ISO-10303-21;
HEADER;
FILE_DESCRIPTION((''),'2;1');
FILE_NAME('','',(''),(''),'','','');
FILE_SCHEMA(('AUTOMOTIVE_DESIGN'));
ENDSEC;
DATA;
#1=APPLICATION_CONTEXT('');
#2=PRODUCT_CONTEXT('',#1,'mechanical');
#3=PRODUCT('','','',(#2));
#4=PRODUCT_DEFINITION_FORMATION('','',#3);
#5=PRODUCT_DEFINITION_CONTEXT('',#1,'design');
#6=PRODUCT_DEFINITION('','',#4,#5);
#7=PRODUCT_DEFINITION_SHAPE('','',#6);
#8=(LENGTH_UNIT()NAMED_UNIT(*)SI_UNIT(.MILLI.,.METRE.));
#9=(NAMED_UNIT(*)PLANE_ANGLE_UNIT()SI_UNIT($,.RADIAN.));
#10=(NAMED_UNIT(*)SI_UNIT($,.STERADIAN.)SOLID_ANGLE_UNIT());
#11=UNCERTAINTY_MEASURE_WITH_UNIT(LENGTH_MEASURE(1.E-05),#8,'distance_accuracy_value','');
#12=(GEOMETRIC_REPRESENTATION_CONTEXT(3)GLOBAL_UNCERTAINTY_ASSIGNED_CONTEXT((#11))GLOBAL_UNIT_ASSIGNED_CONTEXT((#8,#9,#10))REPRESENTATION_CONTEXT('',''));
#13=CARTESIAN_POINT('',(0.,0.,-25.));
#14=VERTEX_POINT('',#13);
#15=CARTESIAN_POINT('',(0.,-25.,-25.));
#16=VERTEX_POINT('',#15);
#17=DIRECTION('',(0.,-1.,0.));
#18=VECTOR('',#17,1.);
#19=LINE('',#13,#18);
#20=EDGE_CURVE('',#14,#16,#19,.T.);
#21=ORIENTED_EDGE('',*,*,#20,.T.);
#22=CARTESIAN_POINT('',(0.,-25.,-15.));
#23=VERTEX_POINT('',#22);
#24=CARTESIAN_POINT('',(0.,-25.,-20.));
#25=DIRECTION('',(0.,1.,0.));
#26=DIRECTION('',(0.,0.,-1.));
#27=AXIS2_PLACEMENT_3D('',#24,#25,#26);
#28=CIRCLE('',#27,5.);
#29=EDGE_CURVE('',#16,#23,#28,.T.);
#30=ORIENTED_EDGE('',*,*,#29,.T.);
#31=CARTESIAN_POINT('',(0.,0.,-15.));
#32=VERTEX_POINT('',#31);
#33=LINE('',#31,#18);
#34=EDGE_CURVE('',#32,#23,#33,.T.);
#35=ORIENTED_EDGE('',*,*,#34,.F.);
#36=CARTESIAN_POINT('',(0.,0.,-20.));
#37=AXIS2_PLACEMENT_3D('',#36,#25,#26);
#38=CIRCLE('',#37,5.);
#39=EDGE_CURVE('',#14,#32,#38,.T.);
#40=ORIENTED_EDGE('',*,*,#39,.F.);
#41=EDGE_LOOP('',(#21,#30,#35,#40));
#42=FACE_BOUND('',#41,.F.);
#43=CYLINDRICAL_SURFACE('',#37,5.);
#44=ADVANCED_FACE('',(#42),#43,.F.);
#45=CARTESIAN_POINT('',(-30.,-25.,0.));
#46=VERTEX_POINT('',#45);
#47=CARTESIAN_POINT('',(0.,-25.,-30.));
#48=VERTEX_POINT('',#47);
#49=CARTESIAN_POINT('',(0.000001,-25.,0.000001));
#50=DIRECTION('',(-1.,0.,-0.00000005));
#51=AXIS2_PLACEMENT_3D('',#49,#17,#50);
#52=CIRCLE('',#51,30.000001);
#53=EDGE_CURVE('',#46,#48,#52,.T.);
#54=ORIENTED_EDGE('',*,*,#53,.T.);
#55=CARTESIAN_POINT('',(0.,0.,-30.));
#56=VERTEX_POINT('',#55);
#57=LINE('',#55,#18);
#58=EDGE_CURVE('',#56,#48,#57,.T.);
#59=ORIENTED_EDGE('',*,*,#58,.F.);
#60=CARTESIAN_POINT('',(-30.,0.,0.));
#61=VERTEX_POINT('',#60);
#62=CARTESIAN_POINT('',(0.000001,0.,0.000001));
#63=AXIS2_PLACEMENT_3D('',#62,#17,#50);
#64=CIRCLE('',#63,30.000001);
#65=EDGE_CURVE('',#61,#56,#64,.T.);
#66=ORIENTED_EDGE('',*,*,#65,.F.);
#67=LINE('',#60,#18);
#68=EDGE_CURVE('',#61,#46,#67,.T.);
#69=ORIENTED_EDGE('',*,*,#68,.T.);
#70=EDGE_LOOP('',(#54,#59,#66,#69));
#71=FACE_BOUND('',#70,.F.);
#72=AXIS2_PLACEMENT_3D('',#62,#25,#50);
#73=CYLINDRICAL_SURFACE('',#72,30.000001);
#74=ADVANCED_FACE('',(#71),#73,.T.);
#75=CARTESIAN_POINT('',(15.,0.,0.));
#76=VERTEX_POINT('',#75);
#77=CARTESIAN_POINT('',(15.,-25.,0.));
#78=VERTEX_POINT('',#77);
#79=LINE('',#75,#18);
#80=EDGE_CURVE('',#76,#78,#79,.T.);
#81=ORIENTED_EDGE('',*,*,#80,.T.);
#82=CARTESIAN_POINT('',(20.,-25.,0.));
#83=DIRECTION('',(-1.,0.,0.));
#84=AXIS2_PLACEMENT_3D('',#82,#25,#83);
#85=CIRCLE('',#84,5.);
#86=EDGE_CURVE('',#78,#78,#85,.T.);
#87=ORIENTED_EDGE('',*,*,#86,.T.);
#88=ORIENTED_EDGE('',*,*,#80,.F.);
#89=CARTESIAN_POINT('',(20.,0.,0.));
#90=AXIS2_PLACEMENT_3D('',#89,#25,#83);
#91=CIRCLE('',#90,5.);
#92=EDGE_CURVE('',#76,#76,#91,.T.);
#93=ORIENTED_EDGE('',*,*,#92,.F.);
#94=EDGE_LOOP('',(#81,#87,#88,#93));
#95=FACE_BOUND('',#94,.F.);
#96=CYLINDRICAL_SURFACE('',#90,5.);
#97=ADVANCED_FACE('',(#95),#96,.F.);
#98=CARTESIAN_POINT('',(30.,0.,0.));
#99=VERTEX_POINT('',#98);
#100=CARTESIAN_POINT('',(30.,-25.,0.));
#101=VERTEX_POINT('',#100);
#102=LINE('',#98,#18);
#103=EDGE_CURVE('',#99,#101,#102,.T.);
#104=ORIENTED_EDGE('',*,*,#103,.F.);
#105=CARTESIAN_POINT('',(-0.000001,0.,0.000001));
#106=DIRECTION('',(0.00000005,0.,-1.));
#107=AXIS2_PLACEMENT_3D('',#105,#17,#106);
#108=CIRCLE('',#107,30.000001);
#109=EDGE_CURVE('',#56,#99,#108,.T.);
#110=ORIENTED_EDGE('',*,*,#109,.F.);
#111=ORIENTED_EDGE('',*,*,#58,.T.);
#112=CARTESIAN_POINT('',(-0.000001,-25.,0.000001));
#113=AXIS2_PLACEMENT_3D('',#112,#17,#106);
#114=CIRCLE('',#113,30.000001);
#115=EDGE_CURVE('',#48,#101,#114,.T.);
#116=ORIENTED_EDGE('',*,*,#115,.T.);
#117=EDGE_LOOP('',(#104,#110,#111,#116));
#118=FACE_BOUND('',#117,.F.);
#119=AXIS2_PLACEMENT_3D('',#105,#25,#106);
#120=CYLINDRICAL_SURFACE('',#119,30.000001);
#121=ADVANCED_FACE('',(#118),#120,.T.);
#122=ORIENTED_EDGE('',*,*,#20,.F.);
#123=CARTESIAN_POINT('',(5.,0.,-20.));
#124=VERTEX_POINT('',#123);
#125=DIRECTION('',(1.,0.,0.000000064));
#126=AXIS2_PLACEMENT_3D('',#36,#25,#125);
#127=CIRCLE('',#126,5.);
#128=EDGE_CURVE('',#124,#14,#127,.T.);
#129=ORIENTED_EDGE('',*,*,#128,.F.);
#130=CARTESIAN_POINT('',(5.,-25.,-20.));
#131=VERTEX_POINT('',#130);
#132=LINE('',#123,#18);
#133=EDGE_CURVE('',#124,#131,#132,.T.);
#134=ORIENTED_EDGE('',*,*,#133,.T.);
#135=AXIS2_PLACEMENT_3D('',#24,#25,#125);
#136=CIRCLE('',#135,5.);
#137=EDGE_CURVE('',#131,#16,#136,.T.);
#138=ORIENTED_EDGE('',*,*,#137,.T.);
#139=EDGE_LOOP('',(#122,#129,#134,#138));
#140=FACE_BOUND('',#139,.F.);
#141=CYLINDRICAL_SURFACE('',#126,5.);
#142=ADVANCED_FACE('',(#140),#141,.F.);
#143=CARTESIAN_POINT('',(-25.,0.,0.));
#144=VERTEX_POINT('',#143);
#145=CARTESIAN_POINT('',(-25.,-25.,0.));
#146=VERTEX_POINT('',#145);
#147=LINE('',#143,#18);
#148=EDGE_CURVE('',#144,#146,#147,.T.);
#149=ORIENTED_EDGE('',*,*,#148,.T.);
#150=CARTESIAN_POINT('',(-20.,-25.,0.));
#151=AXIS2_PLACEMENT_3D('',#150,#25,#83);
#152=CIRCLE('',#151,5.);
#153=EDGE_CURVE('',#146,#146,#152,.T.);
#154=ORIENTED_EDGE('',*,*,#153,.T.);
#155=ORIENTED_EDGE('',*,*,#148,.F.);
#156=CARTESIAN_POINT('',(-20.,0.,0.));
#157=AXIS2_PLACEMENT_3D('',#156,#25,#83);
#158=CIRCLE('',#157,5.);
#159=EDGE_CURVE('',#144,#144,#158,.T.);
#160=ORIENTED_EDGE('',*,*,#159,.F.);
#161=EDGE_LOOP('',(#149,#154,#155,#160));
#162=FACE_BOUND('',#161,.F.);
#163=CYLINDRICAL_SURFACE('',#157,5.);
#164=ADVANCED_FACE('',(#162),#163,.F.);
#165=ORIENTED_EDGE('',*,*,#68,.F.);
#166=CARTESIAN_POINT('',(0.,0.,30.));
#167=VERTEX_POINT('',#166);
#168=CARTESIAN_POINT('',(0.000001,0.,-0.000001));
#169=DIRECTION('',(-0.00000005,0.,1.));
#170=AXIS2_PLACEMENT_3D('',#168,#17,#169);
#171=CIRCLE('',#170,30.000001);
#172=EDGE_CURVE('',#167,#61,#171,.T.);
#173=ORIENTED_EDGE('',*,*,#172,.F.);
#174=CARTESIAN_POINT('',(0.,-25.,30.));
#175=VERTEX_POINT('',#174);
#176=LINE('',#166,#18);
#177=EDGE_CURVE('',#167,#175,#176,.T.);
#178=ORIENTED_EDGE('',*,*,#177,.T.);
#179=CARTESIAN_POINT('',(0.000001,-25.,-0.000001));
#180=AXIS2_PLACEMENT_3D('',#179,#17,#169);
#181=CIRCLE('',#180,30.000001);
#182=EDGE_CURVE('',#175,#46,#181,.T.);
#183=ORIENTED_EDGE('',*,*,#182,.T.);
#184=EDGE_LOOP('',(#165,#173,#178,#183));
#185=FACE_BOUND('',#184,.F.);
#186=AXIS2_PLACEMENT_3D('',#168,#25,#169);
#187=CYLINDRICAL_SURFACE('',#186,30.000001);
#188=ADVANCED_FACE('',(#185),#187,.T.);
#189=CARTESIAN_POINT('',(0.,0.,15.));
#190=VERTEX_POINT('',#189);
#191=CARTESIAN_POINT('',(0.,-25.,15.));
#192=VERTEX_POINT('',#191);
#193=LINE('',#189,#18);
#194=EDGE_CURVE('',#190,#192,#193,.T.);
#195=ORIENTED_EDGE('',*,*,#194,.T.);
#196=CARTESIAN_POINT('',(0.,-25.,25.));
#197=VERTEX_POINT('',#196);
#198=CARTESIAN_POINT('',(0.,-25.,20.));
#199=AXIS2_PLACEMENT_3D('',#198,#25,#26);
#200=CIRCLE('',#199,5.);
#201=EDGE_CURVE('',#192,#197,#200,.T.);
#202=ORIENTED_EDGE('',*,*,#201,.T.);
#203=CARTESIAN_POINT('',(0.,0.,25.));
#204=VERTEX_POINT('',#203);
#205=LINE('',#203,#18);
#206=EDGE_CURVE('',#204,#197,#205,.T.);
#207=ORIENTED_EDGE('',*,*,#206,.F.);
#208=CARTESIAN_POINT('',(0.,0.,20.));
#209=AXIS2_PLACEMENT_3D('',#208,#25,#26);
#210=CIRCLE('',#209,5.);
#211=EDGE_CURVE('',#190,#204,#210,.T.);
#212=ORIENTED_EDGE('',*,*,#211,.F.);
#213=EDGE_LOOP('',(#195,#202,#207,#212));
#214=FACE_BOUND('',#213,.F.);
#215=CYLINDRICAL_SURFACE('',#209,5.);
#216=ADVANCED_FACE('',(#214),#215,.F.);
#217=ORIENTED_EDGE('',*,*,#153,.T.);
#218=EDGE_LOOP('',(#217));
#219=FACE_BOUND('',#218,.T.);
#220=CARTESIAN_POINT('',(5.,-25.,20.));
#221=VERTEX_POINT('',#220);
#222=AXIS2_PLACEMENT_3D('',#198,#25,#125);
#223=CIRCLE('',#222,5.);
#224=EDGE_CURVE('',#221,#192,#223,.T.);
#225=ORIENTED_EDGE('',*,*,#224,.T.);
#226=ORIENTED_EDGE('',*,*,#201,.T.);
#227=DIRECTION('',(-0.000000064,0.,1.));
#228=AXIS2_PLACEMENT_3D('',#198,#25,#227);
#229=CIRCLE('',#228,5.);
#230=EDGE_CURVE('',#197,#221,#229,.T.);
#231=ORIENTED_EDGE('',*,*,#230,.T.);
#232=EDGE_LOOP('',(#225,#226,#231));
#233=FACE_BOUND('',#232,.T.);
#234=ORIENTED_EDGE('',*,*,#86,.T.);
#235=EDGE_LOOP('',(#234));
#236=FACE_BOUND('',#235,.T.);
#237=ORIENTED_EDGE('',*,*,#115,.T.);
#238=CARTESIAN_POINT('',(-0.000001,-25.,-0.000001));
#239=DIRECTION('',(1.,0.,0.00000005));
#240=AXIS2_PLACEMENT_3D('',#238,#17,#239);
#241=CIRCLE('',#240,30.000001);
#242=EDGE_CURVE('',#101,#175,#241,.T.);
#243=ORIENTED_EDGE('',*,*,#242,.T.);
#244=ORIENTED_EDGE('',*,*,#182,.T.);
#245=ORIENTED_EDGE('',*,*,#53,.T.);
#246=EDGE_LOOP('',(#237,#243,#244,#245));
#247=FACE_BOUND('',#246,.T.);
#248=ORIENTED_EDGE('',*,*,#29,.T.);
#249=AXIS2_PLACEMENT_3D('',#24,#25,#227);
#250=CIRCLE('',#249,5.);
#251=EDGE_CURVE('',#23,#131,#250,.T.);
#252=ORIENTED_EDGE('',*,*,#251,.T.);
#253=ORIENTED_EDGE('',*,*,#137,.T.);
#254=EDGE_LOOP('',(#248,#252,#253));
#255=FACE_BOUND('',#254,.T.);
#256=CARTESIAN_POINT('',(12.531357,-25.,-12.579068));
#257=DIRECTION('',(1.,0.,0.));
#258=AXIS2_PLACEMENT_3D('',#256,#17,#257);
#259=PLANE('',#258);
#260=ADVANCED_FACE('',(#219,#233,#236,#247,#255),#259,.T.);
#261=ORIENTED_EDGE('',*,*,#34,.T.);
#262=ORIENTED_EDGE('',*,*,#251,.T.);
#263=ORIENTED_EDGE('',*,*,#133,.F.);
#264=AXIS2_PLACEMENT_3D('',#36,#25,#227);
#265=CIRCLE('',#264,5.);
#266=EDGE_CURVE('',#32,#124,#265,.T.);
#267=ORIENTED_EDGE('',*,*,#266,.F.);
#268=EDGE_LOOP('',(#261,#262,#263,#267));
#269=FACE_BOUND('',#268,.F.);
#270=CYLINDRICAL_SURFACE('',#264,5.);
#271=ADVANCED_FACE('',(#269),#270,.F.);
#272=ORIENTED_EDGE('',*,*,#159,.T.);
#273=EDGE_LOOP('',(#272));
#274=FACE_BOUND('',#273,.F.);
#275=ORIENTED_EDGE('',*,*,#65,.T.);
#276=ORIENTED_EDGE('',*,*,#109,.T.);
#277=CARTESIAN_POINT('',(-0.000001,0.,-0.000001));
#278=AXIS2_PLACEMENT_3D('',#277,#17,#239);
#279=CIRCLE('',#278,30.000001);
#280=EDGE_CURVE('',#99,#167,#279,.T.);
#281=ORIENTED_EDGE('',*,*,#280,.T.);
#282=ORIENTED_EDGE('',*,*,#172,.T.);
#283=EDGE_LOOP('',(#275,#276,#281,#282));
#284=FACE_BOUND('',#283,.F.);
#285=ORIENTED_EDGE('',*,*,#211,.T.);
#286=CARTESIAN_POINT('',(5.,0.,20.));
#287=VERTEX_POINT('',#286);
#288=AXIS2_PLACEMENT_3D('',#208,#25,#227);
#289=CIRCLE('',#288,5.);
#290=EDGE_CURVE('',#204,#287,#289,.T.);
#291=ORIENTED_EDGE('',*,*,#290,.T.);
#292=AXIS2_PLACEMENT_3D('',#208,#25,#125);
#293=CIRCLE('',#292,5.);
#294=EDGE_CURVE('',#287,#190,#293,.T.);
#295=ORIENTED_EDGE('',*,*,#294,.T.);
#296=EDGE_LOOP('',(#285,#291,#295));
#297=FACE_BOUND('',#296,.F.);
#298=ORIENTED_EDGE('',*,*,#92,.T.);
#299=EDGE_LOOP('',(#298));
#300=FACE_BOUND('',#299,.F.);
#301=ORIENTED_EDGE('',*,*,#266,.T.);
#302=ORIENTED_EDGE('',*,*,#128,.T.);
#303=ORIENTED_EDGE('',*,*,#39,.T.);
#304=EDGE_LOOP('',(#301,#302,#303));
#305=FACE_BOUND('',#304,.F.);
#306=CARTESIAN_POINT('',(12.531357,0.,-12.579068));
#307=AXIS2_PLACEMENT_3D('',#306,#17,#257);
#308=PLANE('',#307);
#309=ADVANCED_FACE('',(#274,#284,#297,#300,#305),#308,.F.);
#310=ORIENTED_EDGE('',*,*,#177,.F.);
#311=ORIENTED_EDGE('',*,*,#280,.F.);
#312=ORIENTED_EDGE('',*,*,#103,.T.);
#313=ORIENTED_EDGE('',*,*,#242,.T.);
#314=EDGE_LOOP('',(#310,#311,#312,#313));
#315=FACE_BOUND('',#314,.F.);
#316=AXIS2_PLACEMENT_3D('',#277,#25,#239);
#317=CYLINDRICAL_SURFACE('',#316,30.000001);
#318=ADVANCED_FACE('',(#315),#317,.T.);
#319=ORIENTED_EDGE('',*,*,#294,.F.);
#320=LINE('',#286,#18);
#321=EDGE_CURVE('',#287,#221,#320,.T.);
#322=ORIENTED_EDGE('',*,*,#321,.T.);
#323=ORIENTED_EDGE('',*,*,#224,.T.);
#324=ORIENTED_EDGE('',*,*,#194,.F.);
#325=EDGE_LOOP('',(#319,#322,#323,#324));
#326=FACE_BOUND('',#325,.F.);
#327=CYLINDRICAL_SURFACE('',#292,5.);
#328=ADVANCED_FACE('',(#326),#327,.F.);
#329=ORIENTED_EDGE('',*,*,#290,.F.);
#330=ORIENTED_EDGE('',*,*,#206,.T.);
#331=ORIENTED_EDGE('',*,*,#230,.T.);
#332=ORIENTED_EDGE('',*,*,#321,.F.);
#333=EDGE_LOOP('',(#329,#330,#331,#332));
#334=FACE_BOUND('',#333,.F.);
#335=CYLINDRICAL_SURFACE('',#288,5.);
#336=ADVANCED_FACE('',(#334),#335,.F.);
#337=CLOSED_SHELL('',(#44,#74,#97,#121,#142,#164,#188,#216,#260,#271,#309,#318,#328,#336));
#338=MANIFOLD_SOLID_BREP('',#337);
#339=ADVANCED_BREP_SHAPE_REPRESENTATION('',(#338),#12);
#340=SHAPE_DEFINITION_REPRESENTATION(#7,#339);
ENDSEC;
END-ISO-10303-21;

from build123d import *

# Parameters (mm, degrees)
F1_DEPTH = 25


with BuildPart() as f1:
    # F0 (on Front) → F1 (new body)
    with BuildSketch(Plane.XZ):
        with BuildLine():
            ThreePointArc((0, -30), (21.213203, -21.213203), (30, 0))
            Line((30, 0), (25, 0))
            ThreePointArc((25, 0), (20, -5), (15, 0))
            Line((15, 0), (0, 0))
            Line((0, 0), (0, -15))
            ThreePointArc((0, -15), (3.535534, -16.464466), (5, -20))
            ThreePointArc((5, -20), (3.535534, -23.535534), (0, -25))
            Line((0, -25), (0, -30))
        make_face()
        with BuildLine():
            ThreePointArc((-30, 0), (-21.213203, -21.213203), (0, -30))
            Line((0, -30), (0, -25))
            ThreePointArc((0, -25), (-5, -20), (0, -15))
            Line((0, -15), (0, 0))
            Line((0, 0), (-15, 0))
            ThreePointArc((-15, 0), (-20, -5), (-25, 0))
            Line((-25, 0), (-30, 0))
        make_face()
        with BuildLine():
            Line((0, 25), (0, 30))
            ThreePointArc((0, 30), (-21.213203, 21.213203), (-30, 0))
            Line((-30, 0), (-25, 0))
            ThreePointArc((-25, 0), (-20, 5), (-15, 0))
            Line((-15, 0), (0, 0))
            Line((0, 0), (0, 15))
            ThreePointArc((0, 15), (-5, 20), (0, 25))
        make_face()
        with BuildLine():
            Line((25, 0), (30, 0))
            ThreePointArc((30, 0), (21.213203, 21.213203), (0, 30))
            Line((0, 30), (0, 25))
            ThreePointArc((0, 25), (3.535534, 23.535534), (5, 20))
            ThreePointArc((5, 20), (3.535534, 16.464466), (0, 15))
            Line((0, 15), (0, 0))
            Line((0, 0), (15, 0))
            ThreePointArc((15, 0), (20, 5), (25, 0))
        make_face()
    extrude(amount=F1_DEPTH)


solid = f1.part
